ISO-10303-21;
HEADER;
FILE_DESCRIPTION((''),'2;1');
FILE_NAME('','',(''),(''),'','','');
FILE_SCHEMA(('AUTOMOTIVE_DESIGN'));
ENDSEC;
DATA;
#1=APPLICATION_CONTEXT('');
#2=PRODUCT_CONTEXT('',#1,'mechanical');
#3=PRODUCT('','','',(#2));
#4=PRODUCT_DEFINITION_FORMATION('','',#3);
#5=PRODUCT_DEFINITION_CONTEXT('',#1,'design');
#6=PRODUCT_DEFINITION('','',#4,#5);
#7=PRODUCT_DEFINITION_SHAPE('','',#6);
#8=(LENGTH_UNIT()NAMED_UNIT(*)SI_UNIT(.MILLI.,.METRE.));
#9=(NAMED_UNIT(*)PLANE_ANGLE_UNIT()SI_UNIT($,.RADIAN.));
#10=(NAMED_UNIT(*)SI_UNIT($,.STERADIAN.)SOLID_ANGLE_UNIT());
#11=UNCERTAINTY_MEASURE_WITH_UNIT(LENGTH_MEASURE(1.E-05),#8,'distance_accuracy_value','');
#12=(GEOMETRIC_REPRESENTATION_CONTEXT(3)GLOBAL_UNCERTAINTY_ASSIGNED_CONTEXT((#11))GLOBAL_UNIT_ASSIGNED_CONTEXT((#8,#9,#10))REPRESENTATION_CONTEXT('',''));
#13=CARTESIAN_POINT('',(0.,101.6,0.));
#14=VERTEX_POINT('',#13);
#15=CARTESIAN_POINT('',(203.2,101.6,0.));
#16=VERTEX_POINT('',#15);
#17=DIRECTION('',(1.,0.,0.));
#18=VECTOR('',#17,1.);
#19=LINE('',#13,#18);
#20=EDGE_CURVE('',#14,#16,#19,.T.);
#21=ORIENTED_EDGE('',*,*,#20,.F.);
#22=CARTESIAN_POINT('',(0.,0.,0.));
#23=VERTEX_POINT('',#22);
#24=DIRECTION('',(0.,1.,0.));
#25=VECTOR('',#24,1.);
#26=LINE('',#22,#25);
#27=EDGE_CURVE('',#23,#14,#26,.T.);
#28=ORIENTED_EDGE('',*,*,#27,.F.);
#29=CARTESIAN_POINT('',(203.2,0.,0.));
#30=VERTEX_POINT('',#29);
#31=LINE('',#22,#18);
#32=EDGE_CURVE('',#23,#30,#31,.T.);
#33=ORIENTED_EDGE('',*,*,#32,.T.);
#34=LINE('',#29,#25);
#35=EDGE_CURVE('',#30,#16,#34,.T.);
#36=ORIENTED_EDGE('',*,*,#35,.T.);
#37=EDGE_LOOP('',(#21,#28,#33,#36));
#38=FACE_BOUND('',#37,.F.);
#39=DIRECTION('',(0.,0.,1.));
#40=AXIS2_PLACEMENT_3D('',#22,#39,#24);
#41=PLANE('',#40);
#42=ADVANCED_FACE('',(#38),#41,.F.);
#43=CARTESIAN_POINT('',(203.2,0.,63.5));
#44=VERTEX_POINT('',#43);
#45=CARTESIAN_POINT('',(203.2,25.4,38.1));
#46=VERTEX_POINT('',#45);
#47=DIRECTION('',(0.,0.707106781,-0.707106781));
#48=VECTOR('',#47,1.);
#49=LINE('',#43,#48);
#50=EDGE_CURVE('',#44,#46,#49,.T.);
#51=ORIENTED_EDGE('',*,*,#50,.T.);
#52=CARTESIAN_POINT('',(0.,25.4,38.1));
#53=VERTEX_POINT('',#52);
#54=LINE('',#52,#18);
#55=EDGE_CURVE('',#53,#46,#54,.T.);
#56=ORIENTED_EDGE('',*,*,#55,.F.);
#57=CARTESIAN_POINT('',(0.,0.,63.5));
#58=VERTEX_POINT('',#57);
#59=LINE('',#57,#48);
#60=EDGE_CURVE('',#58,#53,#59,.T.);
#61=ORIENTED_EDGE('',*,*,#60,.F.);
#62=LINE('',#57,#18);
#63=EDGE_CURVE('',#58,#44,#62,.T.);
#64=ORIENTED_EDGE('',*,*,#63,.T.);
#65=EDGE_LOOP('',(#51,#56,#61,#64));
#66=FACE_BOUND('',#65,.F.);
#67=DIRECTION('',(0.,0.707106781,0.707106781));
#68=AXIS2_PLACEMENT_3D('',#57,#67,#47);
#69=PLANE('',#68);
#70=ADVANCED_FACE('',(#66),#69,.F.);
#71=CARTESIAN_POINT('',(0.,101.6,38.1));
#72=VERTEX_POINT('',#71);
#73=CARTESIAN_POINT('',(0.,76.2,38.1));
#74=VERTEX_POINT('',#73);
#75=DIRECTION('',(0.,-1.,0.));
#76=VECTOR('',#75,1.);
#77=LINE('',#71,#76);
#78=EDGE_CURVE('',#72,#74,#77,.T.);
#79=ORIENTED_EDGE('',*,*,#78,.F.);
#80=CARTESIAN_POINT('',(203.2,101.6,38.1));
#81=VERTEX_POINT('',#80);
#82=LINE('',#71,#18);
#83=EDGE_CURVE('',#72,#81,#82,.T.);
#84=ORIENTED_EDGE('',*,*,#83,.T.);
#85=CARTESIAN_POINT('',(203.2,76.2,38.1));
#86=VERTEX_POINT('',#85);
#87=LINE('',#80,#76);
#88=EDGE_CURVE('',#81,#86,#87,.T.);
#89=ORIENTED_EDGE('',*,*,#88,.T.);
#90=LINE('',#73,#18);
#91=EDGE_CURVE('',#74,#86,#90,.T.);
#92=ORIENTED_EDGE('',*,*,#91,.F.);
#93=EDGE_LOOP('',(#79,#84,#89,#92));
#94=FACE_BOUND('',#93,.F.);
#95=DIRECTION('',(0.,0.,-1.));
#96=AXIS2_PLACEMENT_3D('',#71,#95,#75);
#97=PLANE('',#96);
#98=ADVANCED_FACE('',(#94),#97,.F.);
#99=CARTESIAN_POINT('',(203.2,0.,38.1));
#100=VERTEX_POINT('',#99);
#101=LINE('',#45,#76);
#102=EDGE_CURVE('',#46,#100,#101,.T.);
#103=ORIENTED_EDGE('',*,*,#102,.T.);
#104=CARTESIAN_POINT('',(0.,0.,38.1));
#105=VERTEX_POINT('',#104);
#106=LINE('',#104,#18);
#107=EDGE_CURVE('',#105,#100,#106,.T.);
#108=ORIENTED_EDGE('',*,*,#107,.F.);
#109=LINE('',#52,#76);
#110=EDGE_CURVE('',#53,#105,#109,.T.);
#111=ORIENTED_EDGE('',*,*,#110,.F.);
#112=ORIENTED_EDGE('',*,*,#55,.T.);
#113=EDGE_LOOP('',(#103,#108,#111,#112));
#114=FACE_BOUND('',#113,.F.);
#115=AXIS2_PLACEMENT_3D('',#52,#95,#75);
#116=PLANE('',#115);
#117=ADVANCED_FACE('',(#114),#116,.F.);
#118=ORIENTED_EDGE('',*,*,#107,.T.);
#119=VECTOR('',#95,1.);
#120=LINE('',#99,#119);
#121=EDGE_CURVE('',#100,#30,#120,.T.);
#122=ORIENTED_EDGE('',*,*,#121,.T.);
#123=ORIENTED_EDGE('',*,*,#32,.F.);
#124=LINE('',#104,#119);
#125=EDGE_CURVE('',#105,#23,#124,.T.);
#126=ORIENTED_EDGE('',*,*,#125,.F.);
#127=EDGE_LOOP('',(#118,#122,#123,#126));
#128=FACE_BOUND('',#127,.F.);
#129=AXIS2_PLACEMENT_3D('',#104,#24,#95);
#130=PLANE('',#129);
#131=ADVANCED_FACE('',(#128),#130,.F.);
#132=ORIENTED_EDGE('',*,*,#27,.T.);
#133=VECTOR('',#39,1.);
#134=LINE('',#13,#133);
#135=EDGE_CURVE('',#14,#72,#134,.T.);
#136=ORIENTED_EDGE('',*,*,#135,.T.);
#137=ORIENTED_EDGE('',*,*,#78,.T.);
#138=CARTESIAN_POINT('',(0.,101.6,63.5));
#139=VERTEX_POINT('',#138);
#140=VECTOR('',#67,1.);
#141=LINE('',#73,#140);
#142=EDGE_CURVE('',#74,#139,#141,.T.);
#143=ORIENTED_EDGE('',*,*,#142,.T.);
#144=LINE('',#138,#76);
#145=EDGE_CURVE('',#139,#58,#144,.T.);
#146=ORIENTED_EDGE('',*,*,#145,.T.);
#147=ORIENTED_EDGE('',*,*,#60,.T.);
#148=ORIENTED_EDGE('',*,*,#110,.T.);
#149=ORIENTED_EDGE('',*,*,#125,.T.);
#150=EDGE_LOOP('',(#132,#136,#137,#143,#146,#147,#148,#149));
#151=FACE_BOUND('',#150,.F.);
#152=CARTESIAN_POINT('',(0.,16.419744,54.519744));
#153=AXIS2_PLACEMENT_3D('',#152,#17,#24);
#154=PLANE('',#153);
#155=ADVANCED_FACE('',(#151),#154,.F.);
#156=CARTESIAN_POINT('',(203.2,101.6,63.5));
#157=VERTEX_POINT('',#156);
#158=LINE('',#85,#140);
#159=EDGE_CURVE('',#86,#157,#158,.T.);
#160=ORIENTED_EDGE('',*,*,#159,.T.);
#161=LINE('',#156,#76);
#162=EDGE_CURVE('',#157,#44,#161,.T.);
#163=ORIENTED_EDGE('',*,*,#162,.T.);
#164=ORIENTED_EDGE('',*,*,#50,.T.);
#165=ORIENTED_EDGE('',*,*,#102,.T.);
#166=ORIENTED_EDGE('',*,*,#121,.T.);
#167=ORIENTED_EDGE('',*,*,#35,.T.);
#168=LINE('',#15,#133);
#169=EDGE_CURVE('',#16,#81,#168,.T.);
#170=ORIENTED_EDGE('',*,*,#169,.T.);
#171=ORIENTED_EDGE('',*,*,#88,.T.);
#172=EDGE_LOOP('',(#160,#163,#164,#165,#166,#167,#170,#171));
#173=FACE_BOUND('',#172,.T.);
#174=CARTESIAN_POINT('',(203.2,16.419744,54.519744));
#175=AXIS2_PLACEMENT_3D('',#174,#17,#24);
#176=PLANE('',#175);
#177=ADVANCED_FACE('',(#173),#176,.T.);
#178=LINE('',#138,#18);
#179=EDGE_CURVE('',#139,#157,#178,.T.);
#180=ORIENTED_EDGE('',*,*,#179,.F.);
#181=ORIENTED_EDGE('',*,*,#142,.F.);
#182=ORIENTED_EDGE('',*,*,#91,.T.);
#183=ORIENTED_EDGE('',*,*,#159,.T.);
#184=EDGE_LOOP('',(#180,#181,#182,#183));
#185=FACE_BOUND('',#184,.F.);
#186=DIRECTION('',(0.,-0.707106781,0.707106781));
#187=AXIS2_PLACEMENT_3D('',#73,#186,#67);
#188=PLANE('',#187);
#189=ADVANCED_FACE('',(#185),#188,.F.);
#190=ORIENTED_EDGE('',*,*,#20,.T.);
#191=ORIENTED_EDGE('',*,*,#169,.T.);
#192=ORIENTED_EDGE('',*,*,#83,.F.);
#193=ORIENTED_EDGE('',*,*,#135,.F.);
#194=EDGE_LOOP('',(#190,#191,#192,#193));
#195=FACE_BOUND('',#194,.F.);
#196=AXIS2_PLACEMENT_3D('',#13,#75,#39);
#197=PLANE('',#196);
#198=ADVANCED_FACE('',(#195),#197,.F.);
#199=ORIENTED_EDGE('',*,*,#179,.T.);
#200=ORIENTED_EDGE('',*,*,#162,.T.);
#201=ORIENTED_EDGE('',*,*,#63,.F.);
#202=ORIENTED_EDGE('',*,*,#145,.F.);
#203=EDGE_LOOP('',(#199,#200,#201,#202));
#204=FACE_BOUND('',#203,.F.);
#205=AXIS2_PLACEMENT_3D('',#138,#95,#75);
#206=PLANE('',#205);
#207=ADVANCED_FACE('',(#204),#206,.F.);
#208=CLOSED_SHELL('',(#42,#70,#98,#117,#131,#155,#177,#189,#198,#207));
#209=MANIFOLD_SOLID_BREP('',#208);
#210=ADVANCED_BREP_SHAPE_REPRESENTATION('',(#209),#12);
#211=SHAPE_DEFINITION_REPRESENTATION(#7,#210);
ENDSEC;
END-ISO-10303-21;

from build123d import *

# Parameters (mm, degrees)
F0_W     = 50.8
F0_H     = 25.4
F1_DEPTH = 203.2


with BuildPart() as f1:
    # F0 (on Right) → F1 (new body)
    with BuildSketch(Plane.YZ):
        Polygon((0, 63.5), (25.4, 38.1), (25.4, 63.5), align=None)
        with Locations((50.8, 50.8)):
            Rectangle(F0_W, F0_H)
        Polygon((76.2, 63.5), (76.2, 38.1), (101.6, 63.5), align=None)
        Polygon((0, 38.1), (0, 0), (101.6, 0), (101.6, 38.1), (76.2, 38.1), (25.4, 38.1), align=None)
    extrude(amount=F1_DEPTH)


solid = f1.part
